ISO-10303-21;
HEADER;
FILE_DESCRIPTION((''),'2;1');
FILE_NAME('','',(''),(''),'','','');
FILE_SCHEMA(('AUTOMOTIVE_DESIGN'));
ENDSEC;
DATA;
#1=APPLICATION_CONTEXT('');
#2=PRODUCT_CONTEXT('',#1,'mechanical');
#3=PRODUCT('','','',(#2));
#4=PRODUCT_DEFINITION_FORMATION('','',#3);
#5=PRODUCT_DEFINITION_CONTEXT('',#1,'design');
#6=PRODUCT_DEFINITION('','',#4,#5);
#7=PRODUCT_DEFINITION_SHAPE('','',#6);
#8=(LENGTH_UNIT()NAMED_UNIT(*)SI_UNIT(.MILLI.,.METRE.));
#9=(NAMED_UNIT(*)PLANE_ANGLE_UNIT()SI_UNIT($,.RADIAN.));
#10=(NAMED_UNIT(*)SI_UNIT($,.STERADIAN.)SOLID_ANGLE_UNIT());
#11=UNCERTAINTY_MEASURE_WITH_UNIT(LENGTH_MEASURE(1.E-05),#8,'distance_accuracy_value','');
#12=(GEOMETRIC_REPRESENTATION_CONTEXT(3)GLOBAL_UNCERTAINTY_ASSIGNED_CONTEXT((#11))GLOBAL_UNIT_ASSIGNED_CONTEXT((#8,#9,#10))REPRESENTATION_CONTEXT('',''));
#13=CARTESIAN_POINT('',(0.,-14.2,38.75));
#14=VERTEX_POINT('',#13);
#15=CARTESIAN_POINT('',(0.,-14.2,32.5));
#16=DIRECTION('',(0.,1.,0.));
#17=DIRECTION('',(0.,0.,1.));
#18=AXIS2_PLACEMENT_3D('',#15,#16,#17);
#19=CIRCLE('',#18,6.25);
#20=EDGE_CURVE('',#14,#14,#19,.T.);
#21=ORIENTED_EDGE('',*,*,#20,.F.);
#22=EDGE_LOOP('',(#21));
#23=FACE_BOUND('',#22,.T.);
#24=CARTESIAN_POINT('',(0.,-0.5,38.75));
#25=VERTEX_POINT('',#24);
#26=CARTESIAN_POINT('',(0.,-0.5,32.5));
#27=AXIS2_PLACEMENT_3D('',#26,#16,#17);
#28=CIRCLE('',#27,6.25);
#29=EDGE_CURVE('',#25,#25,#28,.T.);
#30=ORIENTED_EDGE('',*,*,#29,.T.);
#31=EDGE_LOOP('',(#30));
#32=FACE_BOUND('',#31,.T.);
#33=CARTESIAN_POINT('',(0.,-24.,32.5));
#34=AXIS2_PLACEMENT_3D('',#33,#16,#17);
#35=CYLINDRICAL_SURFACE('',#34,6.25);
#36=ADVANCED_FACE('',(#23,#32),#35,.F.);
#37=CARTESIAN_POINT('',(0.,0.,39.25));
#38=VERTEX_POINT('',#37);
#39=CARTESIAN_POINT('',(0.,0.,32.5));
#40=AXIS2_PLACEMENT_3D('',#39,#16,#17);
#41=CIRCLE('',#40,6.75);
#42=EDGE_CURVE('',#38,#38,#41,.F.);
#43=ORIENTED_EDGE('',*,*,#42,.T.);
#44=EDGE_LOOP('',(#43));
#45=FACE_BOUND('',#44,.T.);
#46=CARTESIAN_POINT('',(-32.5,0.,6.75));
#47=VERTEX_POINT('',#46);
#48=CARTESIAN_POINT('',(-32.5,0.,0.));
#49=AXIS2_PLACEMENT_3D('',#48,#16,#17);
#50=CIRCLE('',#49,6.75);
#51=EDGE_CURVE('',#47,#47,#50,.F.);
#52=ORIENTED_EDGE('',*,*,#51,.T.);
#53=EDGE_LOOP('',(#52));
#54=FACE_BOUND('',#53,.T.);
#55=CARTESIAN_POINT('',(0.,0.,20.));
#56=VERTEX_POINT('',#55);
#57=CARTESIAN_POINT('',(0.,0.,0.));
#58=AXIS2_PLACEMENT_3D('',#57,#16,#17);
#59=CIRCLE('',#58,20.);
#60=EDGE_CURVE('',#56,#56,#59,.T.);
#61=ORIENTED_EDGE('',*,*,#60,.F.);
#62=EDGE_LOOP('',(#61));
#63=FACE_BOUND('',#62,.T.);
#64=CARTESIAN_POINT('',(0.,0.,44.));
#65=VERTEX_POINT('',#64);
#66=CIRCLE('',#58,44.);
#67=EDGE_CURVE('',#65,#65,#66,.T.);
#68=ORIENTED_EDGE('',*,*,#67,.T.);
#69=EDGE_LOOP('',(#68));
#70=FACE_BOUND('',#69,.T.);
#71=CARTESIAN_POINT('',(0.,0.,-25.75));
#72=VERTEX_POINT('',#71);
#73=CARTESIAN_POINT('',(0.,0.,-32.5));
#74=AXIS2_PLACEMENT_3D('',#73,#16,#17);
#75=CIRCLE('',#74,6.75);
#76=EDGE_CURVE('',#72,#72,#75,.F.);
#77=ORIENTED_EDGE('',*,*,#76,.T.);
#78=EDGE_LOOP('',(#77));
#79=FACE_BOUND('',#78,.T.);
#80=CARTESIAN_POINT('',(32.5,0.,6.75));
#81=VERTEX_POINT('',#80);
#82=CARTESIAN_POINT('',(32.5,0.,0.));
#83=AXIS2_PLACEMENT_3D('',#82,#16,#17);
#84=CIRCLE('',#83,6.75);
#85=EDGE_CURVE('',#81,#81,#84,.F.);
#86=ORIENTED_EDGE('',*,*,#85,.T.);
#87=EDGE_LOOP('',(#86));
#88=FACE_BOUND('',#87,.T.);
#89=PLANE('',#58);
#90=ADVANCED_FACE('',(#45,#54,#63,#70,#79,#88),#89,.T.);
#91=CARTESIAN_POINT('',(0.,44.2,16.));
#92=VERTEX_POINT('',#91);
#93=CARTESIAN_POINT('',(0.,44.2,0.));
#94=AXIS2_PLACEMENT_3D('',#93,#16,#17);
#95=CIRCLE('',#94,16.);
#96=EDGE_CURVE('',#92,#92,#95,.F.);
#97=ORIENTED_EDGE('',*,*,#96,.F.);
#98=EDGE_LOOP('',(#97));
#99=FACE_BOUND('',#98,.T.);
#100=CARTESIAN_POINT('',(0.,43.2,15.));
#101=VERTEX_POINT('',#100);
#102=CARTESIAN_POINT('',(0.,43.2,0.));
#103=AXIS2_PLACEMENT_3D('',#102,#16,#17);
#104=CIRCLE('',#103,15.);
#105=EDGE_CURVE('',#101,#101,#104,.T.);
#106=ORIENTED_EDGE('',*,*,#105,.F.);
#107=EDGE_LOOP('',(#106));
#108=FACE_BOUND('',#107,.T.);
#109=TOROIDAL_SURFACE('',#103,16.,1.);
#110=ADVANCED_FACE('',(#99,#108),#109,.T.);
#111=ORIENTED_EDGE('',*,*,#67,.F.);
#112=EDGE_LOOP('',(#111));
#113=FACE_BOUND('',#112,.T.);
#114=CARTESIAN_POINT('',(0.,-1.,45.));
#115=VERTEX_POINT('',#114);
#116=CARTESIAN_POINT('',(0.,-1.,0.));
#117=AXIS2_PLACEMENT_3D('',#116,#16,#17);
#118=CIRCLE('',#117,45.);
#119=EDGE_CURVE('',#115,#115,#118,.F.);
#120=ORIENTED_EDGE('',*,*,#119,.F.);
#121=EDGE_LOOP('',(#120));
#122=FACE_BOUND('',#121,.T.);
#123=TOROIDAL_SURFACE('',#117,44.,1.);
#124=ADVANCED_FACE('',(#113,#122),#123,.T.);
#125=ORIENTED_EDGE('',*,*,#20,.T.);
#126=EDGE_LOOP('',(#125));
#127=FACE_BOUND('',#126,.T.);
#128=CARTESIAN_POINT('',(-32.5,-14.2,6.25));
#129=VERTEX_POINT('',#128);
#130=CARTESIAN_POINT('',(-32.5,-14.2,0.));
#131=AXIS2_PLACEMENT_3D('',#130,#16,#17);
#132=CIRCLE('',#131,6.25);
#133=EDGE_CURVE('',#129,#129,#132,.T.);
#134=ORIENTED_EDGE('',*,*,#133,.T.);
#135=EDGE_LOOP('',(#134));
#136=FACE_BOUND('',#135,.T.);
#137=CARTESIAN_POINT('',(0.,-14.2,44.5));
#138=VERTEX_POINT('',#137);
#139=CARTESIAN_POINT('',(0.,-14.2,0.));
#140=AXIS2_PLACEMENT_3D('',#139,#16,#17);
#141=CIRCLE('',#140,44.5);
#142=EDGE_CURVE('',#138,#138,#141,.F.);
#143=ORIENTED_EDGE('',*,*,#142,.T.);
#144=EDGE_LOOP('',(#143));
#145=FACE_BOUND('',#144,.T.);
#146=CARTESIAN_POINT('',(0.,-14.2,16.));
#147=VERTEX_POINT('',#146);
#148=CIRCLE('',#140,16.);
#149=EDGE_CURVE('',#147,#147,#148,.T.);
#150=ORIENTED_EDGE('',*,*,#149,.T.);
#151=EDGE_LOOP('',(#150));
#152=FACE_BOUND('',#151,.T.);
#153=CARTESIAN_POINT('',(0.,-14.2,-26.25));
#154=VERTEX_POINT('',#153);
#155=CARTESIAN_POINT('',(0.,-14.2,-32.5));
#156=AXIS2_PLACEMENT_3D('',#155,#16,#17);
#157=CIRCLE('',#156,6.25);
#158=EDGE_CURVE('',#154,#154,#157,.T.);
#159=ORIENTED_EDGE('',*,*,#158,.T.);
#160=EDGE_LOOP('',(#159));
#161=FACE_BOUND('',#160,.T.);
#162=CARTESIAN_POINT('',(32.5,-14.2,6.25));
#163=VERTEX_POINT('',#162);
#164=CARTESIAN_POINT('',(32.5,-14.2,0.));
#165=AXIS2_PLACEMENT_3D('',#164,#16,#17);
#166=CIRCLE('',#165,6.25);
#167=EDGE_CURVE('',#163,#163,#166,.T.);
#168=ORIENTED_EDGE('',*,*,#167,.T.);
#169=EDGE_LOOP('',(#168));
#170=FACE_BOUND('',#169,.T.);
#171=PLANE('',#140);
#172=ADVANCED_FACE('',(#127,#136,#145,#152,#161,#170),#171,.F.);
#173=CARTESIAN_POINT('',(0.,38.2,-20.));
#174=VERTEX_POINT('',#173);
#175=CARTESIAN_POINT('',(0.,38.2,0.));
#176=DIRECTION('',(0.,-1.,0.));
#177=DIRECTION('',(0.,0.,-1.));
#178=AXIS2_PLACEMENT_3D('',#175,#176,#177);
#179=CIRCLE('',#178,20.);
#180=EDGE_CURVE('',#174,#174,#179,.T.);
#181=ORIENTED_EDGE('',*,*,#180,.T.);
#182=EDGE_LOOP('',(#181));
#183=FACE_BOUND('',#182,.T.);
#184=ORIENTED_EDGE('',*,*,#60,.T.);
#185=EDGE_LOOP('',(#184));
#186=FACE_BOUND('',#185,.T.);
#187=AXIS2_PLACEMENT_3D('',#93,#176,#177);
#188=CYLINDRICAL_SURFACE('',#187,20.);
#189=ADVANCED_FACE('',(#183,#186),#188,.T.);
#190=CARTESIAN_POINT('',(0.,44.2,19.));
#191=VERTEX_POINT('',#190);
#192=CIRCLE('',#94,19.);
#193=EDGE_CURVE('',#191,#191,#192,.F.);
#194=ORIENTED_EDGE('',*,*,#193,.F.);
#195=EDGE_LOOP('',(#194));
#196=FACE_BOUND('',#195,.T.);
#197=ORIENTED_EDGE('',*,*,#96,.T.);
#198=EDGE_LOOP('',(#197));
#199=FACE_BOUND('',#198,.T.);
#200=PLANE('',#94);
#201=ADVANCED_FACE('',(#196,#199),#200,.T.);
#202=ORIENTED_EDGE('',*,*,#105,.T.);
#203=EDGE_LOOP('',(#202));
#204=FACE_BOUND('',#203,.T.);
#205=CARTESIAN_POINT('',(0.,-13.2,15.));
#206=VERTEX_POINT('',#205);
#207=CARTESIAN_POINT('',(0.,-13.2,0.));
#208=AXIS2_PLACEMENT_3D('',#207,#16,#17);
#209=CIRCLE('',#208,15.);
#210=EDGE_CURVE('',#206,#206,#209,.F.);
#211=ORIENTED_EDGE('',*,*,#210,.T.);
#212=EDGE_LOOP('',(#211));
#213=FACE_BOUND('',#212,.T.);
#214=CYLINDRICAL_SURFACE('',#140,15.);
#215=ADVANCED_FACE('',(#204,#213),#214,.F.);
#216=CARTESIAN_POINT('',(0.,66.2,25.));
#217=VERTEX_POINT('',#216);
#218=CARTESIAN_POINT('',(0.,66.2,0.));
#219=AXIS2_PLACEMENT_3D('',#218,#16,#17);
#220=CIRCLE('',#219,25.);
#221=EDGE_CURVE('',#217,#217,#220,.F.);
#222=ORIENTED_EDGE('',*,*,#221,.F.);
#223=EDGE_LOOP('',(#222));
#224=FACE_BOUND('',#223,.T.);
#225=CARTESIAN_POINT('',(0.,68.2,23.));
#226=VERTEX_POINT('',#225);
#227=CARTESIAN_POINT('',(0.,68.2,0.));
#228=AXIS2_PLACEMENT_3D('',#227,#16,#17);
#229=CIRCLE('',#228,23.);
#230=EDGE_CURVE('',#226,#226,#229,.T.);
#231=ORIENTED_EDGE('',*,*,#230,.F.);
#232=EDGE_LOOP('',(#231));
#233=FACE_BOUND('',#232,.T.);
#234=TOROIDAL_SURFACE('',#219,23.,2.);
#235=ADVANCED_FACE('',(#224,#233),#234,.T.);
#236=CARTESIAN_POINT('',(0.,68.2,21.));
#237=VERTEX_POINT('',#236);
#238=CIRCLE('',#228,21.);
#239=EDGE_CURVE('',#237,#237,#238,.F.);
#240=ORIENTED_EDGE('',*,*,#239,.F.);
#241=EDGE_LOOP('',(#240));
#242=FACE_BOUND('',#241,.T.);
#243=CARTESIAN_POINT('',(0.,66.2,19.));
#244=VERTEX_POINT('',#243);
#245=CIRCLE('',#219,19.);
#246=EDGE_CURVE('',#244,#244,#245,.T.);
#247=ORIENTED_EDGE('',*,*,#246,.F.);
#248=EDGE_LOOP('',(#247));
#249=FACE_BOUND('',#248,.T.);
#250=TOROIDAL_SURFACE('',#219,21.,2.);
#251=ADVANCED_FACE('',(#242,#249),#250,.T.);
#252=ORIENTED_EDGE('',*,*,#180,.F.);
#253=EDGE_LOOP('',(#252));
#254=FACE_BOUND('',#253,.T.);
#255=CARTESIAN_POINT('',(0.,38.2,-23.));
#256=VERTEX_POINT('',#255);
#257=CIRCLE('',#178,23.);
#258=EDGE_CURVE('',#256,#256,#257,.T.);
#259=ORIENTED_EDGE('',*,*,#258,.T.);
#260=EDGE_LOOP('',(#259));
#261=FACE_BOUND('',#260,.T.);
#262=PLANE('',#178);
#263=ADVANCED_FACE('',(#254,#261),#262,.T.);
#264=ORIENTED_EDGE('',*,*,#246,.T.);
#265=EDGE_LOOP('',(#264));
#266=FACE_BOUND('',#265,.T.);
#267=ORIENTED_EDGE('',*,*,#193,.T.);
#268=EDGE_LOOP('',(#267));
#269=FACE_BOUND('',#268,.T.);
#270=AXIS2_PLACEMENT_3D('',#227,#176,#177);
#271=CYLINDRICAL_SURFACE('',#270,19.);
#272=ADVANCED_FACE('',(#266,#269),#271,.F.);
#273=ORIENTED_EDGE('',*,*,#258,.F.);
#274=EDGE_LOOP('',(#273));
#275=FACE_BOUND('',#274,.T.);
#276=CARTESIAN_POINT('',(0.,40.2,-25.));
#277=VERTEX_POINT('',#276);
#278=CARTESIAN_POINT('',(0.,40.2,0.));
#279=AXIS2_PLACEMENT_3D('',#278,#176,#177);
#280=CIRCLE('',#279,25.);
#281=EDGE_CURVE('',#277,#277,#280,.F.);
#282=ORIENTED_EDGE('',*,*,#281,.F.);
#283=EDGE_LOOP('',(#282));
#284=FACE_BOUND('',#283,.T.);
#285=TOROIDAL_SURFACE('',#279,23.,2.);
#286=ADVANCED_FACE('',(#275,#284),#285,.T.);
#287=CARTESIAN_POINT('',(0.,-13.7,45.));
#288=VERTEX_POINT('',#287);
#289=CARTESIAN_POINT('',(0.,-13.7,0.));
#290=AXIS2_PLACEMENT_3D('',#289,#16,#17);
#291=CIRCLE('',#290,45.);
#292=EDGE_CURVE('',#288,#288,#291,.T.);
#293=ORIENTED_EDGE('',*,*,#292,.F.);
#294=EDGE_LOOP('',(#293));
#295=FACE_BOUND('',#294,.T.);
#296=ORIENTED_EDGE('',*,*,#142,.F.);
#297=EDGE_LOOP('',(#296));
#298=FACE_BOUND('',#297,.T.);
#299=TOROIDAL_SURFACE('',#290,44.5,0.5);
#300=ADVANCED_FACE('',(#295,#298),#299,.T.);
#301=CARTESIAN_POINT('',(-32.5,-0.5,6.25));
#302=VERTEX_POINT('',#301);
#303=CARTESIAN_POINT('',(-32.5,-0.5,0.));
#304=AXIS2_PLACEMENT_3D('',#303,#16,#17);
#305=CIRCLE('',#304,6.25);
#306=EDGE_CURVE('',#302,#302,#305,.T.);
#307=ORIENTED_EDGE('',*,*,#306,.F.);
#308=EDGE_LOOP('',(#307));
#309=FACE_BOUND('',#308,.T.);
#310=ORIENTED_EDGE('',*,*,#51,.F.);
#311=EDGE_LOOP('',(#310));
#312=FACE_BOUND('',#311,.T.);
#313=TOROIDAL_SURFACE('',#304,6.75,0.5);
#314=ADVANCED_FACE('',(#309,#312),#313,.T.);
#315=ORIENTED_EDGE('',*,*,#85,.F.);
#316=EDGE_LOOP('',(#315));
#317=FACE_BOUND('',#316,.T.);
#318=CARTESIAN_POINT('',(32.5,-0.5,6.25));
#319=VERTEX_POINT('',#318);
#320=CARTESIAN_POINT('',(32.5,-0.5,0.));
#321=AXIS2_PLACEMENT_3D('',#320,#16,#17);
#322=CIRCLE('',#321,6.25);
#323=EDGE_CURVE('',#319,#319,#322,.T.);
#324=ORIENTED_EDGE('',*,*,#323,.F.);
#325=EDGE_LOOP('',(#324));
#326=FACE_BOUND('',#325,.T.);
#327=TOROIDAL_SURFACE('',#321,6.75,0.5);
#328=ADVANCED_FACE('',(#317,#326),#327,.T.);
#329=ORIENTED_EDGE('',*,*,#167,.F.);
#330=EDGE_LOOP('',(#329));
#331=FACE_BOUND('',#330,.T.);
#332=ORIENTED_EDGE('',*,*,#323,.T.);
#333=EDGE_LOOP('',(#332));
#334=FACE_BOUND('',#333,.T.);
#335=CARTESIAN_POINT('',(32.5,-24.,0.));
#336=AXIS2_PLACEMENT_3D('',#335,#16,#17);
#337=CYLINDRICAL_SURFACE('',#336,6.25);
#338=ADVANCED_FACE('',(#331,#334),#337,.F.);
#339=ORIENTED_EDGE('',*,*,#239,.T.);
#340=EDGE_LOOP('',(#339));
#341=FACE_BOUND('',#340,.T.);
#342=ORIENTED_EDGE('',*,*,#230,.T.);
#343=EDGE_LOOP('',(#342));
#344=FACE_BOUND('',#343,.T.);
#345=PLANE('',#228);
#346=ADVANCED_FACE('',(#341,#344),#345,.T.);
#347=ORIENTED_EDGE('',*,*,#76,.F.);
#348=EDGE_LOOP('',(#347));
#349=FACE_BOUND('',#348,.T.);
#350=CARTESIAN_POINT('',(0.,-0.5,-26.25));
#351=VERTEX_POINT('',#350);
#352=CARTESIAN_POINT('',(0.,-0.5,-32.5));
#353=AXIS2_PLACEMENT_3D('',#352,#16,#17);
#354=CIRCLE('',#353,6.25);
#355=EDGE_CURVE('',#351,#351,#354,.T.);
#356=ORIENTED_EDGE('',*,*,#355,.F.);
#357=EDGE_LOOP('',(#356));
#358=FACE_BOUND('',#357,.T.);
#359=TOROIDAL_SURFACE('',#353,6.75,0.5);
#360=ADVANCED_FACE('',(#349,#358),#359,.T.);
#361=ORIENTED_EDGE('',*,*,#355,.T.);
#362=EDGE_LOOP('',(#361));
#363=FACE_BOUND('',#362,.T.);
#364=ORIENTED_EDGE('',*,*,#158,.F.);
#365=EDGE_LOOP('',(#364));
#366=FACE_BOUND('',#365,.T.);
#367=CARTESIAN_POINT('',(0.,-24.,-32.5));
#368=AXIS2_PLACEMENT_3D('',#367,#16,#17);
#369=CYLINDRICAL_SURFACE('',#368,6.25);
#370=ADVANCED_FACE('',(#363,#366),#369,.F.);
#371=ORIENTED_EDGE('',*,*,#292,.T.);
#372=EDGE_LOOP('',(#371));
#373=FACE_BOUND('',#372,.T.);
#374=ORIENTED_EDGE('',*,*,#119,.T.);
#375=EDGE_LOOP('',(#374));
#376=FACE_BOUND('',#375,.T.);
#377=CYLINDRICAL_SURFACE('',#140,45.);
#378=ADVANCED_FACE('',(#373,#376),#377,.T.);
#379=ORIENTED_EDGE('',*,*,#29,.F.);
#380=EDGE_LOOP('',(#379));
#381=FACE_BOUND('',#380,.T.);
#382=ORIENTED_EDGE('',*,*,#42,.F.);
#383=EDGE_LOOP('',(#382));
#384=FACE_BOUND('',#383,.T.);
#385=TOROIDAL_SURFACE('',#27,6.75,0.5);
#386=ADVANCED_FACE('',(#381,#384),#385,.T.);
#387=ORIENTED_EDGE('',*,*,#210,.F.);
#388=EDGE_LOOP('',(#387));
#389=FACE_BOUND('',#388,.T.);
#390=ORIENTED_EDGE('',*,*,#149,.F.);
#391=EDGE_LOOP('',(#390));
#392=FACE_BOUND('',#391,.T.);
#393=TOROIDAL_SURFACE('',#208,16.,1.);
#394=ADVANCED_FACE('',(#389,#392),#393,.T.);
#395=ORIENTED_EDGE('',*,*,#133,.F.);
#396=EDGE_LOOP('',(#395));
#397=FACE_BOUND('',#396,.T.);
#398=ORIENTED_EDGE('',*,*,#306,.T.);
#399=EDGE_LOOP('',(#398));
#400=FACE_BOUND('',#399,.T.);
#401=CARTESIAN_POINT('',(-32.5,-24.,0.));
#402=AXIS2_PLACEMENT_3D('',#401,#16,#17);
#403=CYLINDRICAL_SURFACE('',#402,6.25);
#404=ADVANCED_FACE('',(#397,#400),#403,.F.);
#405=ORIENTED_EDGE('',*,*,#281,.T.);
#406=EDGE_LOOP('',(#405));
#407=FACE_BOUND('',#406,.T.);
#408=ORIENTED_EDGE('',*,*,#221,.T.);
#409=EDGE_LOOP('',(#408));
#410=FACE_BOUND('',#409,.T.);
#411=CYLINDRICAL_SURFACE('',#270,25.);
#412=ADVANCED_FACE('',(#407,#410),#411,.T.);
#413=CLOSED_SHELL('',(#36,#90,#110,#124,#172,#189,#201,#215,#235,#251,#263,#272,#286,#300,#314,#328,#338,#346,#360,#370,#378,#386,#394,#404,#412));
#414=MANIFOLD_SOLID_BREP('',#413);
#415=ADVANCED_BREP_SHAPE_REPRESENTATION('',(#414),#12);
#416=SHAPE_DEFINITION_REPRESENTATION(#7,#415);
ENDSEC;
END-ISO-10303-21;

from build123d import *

# Parameters (mm, degrees)
SKETCH1_R           = 45
SKETCH1_R_2         = 20
SKETCH1_R_3         = 15
BOSS_EXTRUDE2_DEPTH = 14.2
BOSS_EXTRUDE3_START = 44.2
SKETCH2_R           = 20
SKETCH2_R_2         = 15
BOSS_EXTRUDE3_DEPTH = 44.2
BOSS_EXTRUDE4_START = 24
SKETCH3_R           = 25
SKETCH3_R_2         = 20
SKETCH3_R_3         = 19
BOSS_EXTRUDE4_DEPTH = 24
SKETCH4_R           = 25
SKETCH4_R_2         = 15
BOSS_EXTRUDE5_DEPTH = 6
SKETCH5_R           = 6.25
CUT_EXTRUDE1_DEPTH  = 24
FILLET1_R           = 1
FILLET2_R           = 2
FILLET3_R           = 1
FILLET4_R           = 0.5
FILLET5_R           = 0.5
FILLET6_R           = 1


with BuildPart() as part:
    # Sketch1 → Boss-Extrude2 (new body)
    # profile 1 of 2: a face of its own
    with BuildSketch(Plane(origin=(0, 0, 0), x_dir=(1, 0, 0), z_dir=(0, 1, 0))):
        with Locations(Location((0, 0, 0), (0, 0, 270))):
            Circle(SKETCH1_R)
        Circle(SKETCH1_R_2, mode=Mode.SUBTRACT)
    # profile 2 of 2: a face of its own
    with BuildSketch(Plane(origin=(0, 0, 0), x_dir=(1, 0, 0), z_dir=(0, 1, 0))):
        Circle(SKETCH1_R_2)
        with Locations(Location((0, 0, 0), (0, 0, 270))):
            Circle(SKETCH1_R_3, mode=Mode.SUBTRACT)
    extrude(amount=-BOSS_EXTRUDE2_DEPTH)

    # Sketch2 → Boss-Extrude3 (add)
    with BuildSketch(Plane(origin=(0, 0, 0), x_dir=(1, 0, 0), z_dir=(0, 1, 0)).offset(BOSS_EXTRUDE3_START)):
        with Locations(Location((0, 0, 0), (0, 0, 270))):
            Circle(SKETCH2_R)
        with Locations(Location((0, 0, 0), (0, 0, 270))):
            Circle(SKETCH2_R_2, mode=Mode.SUBTRACT)
    extrude(amount=-BOSS_EXTRUDE3_DEPTH)

    # Sketch3 → Boss-Extrude4 (add)
    # profile 1 of 2: a face of its own
    with BuildSketch(Plane(origin=(0, 44.2, 0), x_dir=(1, 0, 0), z_dir=(0, 1, 0)).offset(BOSS_EXTRUDE4_START)):
        with Locations(Location((0, 0, 0), (0, 0, 270))):
            Circle(SKETCH3_R)
        with Locations(Location((0, 0, 0), (0, 0, 270))):
            Circle(SKETCH3_R_2, mode=Mode.SUBTRACT)
    # profile 2 of 2: a face of its own
    with BuildSketch(Plane(origin=(0, 44.2, 0), x_dir=(1, 0, 0), z_dir=(0, 1, 0)).offset(BOSS_EXTRUDE4_START)):
        with Locations(Location((0, 0, 0), (0, 0, 270))):
            Circle(SKETCH3_R_2)
        with Locations(Location((0, 0, 0), (0, 0, 270))):
            Circle(SKETCH3_R_3, mode=Mode.SUBTRACT)
    extrude(amount=-BOSS_EXTRUDE4_DEPTH)

    # Sketch4 → Boss-Extrude5 (add)
    with BuildSketch(Plane.XZ.offset(-44.2)):
        with Locations(Location((0, 0, 0), (0, 0, 270))):
            Circle(SKETCH4_R)
        with Locations(Location((0, 0, 0), (0, 0, 90))):
            Circle(SKETCH4_R_2, mode=Mode.SUBTRACT)
    extrude(amount=BOSS_EXTRUDE5_DEPTH)

    # Sketch5 → Cut-Extrude1 (cut)
    with BuildSketch(Plane(origin=(0, 0, 0), x_dir=(1, 0, 0), z_dir=(0, 1, 0))):
        with Locations(Location((0, 32.5, 0), (0, 0, 270))):
            Circle(SKETCH5_R)
        with Locations(Location((32.5, 0, 0), (0, 0, 270))):
            Circle(SKETCH5_R)
        with Locations(Location((0, -32.5, 0), (0, 0, 270))):
            Circle(SKETCH5_R)
        with Locations(Location((-32.5, 0, 0), (0, 0, 270))):
            Circle(SKETCH5_R)
    extrude(amount=-CUT_EXTRUDE1_DEPTH, mode=Mode.SUBTRACT)

    # Fillet1
    fillet1_edges = [part.edges().sort_by_distance(p)[0] for p in [
        (0, 0, -45),
    ]]
    fillet(fillet1_edges, radius=FILLET1_R)

    # Fillet2
    fillet2_edges = [part.edges().sort_by_distance(p)[0] for p in [
        (0, 68.2, -19),
        (0, 68.2, -25),
        (0, 38.2, 25),
    ]]
    fillet(fillet2_edges, radius=FILLET2_R)

    # Fillet3
    fillet3_edges = [part.edges().sort_by_distance(p)[0] for p in [
        (0, 44.2, -15),
    ]]
    fillet(fillet3_edges, radius=FILLET3_R)

    # Fillet4
    fillet4_edges = [part.edges().sort_by_distance(p)[0] for p in [
        (0, 0, -38.75),
        (32.5, 0, -6.25),
        (0, 0, 26.25),
        (-32.5, 0, -6.25),
    ]]
    fillet(fillet4_edges, radius=FILLET4_R)

    # Fillet5
    fillet5_edges = [part.edges().sort_by_distance(p)[0] for p in [
        (0, -14.2, -45),
    ]]
    fillet(fillet5_edges, radius=FILLET5_R)

    # Fillet6
    fillet6_edges = [part.edges().sort_by_distance(p)[0] for p in [
        (0, -14.2, -15),
    ]]
    fillet(fillet6_edges, radius=FILLET6_R)


solid = part.part
